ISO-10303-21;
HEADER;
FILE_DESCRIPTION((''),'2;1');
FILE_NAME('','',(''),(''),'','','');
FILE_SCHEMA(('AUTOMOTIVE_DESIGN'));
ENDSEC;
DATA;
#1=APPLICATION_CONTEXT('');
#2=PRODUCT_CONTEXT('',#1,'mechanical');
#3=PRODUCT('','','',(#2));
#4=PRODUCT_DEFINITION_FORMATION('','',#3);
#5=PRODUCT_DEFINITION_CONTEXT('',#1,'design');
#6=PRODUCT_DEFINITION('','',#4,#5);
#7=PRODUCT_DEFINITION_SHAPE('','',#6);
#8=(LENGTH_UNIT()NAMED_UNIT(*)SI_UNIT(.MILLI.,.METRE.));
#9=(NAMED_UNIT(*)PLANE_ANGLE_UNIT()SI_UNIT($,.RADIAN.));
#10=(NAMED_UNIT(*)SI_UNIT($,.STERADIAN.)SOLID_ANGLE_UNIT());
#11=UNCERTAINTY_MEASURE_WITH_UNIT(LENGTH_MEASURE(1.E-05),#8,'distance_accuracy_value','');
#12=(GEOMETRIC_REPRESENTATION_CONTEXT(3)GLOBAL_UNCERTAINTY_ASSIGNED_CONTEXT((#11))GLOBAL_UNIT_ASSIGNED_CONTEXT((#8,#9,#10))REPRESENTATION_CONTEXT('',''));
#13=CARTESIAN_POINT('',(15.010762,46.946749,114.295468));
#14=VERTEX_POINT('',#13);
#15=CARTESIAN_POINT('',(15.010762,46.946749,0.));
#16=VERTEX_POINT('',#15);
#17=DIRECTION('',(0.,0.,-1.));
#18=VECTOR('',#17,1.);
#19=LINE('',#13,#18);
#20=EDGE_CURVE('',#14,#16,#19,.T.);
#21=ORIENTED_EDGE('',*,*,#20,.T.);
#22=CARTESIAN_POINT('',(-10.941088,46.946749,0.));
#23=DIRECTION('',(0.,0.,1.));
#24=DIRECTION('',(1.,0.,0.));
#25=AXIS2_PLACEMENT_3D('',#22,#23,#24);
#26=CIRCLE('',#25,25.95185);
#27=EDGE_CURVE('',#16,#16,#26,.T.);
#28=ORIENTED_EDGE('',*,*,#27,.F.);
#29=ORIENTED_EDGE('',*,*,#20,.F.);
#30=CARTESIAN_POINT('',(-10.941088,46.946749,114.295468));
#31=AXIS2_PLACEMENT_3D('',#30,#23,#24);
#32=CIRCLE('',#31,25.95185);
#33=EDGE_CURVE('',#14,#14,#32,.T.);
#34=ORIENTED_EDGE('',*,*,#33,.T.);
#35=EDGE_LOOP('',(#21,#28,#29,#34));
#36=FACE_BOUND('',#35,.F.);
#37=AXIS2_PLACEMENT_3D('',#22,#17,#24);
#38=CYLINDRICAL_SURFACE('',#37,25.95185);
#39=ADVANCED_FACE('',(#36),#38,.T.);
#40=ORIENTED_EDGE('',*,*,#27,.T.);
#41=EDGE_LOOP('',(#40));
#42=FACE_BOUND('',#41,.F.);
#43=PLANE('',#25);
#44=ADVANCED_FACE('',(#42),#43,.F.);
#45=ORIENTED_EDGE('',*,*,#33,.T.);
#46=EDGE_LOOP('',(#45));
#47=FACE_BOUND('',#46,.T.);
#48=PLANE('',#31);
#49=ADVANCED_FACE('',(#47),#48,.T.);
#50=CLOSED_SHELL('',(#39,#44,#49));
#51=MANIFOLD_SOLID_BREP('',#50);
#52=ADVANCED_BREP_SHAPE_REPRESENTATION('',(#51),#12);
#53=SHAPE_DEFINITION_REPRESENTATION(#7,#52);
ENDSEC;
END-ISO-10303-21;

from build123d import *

# Parameters (mm, degrees)
F0_R     = 25.95185
F1_DEPTH = 114.295468
F2_DEPTH = 25.4


with BuildPart() as f1:
    # F0 (on Top) → F1 (new body)
    with BuildSketch(Plane.XY):
        with Locations((-10.941088, 46.946749)):
            Circle(F0_R)
    extrude(amount=F1_DEPTH)

    # F0 (on Top) → F2 (join)
    with BuildSketch(Plane.XY):
        with Locations((-10.941088, 46.946749)):
            Circle(F0_R)
    extrude(amount=F2_DEPTH)


solid = f1.part
